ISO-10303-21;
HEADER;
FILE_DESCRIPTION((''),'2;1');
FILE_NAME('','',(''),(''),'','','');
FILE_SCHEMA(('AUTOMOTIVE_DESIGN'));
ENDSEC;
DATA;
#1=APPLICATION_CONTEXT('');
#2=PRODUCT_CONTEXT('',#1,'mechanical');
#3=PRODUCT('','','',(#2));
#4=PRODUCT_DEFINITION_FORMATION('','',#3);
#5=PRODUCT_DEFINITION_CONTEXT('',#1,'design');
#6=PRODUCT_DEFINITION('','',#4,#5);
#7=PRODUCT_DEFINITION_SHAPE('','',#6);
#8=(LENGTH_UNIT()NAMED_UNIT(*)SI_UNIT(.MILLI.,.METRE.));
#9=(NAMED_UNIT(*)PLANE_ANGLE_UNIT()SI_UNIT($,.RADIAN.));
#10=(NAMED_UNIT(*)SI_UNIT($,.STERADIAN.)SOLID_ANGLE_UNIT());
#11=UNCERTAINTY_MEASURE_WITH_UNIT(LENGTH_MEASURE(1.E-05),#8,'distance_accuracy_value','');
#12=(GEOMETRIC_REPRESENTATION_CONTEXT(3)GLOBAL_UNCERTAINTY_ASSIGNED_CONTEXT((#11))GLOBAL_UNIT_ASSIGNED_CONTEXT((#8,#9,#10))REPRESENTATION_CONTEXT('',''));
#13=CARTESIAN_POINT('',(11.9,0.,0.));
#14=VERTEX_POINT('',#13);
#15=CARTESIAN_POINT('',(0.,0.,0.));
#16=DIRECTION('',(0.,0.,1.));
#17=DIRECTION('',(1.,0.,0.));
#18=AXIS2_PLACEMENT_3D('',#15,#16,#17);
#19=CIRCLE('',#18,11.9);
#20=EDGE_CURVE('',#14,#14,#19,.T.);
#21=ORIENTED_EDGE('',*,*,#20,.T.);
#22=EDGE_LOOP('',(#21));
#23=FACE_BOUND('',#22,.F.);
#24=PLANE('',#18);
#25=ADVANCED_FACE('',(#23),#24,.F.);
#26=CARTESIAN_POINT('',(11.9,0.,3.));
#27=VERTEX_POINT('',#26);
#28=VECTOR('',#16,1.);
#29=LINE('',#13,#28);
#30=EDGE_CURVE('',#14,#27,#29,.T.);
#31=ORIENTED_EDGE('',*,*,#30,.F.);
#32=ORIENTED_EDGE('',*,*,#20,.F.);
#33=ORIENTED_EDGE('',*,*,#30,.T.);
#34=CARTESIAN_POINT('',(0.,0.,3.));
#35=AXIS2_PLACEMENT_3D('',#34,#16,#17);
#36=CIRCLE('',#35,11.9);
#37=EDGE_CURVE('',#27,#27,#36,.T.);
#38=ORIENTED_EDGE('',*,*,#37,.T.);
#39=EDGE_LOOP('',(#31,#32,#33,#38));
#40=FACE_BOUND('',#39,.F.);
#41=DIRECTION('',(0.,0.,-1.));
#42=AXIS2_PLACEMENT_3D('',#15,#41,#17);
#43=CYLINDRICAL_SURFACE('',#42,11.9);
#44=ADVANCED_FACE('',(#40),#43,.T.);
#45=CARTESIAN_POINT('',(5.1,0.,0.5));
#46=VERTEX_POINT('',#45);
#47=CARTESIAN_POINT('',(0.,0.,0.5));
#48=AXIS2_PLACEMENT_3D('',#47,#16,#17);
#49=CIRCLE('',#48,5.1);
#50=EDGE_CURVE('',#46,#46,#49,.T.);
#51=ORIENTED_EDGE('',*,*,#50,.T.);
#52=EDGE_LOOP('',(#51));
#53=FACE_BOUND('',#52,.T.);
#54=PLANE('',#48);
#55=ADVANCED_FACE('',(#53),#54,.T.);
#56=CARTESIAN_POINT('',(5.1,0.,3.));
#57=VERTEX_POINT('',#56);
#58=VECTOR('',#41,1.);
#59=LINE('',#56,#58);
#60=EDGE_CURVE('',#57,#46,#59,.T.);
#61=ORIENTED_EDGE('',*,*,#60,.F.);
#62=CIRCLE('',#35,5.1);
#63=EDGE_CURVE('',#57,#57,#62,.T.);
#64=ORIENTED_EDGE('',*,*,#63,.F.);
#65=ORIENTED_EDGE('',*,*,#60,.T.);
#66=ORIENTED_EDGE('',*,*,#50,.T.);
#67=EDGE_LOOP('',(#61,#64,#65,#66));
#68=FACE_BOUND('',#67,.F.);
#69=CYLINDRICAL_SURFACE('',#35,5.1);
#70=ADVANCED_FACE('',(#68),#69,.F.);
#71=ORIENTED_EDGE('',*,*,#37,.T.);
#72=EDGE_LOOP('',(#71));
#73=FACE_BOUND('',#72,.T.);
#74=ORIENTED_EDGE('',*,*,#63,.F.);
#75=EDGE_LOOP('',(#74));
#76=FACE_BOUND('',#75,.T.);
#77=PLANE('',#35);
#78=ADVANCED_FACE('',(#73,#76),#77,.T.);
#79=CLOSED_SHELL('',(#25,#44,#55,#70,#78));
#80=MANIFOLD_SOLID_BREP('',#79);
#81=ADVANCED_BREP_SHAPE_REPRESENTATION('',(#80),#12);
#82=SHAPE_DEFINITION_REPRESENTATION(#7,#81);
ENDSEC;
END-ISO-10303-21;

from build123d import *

# Parameters (mm, degrees)
SKETCH_R     = 11.9
PAD_DEPTH    = 3
SKETCH001_R  = 5.1
POCKET_DEPTH = 2.5


with BuildPart() as part:
    # Sketch → Pad (new body)
    with BuildSketch(Plane.XY):
        Circle(SKETCH_R)
    extrude(amount=PAD_DEPTH)

    # Sketch001 (on Face3 of Pad) → Pocket (cut)
    with BuildSketch(Plane.XY.offset(3)):
        Circle(SKETCH001_R)
    extrude(amount=-POCKET_DEPTH, mode=Mode.SUBTRACT)


solid = part.part
